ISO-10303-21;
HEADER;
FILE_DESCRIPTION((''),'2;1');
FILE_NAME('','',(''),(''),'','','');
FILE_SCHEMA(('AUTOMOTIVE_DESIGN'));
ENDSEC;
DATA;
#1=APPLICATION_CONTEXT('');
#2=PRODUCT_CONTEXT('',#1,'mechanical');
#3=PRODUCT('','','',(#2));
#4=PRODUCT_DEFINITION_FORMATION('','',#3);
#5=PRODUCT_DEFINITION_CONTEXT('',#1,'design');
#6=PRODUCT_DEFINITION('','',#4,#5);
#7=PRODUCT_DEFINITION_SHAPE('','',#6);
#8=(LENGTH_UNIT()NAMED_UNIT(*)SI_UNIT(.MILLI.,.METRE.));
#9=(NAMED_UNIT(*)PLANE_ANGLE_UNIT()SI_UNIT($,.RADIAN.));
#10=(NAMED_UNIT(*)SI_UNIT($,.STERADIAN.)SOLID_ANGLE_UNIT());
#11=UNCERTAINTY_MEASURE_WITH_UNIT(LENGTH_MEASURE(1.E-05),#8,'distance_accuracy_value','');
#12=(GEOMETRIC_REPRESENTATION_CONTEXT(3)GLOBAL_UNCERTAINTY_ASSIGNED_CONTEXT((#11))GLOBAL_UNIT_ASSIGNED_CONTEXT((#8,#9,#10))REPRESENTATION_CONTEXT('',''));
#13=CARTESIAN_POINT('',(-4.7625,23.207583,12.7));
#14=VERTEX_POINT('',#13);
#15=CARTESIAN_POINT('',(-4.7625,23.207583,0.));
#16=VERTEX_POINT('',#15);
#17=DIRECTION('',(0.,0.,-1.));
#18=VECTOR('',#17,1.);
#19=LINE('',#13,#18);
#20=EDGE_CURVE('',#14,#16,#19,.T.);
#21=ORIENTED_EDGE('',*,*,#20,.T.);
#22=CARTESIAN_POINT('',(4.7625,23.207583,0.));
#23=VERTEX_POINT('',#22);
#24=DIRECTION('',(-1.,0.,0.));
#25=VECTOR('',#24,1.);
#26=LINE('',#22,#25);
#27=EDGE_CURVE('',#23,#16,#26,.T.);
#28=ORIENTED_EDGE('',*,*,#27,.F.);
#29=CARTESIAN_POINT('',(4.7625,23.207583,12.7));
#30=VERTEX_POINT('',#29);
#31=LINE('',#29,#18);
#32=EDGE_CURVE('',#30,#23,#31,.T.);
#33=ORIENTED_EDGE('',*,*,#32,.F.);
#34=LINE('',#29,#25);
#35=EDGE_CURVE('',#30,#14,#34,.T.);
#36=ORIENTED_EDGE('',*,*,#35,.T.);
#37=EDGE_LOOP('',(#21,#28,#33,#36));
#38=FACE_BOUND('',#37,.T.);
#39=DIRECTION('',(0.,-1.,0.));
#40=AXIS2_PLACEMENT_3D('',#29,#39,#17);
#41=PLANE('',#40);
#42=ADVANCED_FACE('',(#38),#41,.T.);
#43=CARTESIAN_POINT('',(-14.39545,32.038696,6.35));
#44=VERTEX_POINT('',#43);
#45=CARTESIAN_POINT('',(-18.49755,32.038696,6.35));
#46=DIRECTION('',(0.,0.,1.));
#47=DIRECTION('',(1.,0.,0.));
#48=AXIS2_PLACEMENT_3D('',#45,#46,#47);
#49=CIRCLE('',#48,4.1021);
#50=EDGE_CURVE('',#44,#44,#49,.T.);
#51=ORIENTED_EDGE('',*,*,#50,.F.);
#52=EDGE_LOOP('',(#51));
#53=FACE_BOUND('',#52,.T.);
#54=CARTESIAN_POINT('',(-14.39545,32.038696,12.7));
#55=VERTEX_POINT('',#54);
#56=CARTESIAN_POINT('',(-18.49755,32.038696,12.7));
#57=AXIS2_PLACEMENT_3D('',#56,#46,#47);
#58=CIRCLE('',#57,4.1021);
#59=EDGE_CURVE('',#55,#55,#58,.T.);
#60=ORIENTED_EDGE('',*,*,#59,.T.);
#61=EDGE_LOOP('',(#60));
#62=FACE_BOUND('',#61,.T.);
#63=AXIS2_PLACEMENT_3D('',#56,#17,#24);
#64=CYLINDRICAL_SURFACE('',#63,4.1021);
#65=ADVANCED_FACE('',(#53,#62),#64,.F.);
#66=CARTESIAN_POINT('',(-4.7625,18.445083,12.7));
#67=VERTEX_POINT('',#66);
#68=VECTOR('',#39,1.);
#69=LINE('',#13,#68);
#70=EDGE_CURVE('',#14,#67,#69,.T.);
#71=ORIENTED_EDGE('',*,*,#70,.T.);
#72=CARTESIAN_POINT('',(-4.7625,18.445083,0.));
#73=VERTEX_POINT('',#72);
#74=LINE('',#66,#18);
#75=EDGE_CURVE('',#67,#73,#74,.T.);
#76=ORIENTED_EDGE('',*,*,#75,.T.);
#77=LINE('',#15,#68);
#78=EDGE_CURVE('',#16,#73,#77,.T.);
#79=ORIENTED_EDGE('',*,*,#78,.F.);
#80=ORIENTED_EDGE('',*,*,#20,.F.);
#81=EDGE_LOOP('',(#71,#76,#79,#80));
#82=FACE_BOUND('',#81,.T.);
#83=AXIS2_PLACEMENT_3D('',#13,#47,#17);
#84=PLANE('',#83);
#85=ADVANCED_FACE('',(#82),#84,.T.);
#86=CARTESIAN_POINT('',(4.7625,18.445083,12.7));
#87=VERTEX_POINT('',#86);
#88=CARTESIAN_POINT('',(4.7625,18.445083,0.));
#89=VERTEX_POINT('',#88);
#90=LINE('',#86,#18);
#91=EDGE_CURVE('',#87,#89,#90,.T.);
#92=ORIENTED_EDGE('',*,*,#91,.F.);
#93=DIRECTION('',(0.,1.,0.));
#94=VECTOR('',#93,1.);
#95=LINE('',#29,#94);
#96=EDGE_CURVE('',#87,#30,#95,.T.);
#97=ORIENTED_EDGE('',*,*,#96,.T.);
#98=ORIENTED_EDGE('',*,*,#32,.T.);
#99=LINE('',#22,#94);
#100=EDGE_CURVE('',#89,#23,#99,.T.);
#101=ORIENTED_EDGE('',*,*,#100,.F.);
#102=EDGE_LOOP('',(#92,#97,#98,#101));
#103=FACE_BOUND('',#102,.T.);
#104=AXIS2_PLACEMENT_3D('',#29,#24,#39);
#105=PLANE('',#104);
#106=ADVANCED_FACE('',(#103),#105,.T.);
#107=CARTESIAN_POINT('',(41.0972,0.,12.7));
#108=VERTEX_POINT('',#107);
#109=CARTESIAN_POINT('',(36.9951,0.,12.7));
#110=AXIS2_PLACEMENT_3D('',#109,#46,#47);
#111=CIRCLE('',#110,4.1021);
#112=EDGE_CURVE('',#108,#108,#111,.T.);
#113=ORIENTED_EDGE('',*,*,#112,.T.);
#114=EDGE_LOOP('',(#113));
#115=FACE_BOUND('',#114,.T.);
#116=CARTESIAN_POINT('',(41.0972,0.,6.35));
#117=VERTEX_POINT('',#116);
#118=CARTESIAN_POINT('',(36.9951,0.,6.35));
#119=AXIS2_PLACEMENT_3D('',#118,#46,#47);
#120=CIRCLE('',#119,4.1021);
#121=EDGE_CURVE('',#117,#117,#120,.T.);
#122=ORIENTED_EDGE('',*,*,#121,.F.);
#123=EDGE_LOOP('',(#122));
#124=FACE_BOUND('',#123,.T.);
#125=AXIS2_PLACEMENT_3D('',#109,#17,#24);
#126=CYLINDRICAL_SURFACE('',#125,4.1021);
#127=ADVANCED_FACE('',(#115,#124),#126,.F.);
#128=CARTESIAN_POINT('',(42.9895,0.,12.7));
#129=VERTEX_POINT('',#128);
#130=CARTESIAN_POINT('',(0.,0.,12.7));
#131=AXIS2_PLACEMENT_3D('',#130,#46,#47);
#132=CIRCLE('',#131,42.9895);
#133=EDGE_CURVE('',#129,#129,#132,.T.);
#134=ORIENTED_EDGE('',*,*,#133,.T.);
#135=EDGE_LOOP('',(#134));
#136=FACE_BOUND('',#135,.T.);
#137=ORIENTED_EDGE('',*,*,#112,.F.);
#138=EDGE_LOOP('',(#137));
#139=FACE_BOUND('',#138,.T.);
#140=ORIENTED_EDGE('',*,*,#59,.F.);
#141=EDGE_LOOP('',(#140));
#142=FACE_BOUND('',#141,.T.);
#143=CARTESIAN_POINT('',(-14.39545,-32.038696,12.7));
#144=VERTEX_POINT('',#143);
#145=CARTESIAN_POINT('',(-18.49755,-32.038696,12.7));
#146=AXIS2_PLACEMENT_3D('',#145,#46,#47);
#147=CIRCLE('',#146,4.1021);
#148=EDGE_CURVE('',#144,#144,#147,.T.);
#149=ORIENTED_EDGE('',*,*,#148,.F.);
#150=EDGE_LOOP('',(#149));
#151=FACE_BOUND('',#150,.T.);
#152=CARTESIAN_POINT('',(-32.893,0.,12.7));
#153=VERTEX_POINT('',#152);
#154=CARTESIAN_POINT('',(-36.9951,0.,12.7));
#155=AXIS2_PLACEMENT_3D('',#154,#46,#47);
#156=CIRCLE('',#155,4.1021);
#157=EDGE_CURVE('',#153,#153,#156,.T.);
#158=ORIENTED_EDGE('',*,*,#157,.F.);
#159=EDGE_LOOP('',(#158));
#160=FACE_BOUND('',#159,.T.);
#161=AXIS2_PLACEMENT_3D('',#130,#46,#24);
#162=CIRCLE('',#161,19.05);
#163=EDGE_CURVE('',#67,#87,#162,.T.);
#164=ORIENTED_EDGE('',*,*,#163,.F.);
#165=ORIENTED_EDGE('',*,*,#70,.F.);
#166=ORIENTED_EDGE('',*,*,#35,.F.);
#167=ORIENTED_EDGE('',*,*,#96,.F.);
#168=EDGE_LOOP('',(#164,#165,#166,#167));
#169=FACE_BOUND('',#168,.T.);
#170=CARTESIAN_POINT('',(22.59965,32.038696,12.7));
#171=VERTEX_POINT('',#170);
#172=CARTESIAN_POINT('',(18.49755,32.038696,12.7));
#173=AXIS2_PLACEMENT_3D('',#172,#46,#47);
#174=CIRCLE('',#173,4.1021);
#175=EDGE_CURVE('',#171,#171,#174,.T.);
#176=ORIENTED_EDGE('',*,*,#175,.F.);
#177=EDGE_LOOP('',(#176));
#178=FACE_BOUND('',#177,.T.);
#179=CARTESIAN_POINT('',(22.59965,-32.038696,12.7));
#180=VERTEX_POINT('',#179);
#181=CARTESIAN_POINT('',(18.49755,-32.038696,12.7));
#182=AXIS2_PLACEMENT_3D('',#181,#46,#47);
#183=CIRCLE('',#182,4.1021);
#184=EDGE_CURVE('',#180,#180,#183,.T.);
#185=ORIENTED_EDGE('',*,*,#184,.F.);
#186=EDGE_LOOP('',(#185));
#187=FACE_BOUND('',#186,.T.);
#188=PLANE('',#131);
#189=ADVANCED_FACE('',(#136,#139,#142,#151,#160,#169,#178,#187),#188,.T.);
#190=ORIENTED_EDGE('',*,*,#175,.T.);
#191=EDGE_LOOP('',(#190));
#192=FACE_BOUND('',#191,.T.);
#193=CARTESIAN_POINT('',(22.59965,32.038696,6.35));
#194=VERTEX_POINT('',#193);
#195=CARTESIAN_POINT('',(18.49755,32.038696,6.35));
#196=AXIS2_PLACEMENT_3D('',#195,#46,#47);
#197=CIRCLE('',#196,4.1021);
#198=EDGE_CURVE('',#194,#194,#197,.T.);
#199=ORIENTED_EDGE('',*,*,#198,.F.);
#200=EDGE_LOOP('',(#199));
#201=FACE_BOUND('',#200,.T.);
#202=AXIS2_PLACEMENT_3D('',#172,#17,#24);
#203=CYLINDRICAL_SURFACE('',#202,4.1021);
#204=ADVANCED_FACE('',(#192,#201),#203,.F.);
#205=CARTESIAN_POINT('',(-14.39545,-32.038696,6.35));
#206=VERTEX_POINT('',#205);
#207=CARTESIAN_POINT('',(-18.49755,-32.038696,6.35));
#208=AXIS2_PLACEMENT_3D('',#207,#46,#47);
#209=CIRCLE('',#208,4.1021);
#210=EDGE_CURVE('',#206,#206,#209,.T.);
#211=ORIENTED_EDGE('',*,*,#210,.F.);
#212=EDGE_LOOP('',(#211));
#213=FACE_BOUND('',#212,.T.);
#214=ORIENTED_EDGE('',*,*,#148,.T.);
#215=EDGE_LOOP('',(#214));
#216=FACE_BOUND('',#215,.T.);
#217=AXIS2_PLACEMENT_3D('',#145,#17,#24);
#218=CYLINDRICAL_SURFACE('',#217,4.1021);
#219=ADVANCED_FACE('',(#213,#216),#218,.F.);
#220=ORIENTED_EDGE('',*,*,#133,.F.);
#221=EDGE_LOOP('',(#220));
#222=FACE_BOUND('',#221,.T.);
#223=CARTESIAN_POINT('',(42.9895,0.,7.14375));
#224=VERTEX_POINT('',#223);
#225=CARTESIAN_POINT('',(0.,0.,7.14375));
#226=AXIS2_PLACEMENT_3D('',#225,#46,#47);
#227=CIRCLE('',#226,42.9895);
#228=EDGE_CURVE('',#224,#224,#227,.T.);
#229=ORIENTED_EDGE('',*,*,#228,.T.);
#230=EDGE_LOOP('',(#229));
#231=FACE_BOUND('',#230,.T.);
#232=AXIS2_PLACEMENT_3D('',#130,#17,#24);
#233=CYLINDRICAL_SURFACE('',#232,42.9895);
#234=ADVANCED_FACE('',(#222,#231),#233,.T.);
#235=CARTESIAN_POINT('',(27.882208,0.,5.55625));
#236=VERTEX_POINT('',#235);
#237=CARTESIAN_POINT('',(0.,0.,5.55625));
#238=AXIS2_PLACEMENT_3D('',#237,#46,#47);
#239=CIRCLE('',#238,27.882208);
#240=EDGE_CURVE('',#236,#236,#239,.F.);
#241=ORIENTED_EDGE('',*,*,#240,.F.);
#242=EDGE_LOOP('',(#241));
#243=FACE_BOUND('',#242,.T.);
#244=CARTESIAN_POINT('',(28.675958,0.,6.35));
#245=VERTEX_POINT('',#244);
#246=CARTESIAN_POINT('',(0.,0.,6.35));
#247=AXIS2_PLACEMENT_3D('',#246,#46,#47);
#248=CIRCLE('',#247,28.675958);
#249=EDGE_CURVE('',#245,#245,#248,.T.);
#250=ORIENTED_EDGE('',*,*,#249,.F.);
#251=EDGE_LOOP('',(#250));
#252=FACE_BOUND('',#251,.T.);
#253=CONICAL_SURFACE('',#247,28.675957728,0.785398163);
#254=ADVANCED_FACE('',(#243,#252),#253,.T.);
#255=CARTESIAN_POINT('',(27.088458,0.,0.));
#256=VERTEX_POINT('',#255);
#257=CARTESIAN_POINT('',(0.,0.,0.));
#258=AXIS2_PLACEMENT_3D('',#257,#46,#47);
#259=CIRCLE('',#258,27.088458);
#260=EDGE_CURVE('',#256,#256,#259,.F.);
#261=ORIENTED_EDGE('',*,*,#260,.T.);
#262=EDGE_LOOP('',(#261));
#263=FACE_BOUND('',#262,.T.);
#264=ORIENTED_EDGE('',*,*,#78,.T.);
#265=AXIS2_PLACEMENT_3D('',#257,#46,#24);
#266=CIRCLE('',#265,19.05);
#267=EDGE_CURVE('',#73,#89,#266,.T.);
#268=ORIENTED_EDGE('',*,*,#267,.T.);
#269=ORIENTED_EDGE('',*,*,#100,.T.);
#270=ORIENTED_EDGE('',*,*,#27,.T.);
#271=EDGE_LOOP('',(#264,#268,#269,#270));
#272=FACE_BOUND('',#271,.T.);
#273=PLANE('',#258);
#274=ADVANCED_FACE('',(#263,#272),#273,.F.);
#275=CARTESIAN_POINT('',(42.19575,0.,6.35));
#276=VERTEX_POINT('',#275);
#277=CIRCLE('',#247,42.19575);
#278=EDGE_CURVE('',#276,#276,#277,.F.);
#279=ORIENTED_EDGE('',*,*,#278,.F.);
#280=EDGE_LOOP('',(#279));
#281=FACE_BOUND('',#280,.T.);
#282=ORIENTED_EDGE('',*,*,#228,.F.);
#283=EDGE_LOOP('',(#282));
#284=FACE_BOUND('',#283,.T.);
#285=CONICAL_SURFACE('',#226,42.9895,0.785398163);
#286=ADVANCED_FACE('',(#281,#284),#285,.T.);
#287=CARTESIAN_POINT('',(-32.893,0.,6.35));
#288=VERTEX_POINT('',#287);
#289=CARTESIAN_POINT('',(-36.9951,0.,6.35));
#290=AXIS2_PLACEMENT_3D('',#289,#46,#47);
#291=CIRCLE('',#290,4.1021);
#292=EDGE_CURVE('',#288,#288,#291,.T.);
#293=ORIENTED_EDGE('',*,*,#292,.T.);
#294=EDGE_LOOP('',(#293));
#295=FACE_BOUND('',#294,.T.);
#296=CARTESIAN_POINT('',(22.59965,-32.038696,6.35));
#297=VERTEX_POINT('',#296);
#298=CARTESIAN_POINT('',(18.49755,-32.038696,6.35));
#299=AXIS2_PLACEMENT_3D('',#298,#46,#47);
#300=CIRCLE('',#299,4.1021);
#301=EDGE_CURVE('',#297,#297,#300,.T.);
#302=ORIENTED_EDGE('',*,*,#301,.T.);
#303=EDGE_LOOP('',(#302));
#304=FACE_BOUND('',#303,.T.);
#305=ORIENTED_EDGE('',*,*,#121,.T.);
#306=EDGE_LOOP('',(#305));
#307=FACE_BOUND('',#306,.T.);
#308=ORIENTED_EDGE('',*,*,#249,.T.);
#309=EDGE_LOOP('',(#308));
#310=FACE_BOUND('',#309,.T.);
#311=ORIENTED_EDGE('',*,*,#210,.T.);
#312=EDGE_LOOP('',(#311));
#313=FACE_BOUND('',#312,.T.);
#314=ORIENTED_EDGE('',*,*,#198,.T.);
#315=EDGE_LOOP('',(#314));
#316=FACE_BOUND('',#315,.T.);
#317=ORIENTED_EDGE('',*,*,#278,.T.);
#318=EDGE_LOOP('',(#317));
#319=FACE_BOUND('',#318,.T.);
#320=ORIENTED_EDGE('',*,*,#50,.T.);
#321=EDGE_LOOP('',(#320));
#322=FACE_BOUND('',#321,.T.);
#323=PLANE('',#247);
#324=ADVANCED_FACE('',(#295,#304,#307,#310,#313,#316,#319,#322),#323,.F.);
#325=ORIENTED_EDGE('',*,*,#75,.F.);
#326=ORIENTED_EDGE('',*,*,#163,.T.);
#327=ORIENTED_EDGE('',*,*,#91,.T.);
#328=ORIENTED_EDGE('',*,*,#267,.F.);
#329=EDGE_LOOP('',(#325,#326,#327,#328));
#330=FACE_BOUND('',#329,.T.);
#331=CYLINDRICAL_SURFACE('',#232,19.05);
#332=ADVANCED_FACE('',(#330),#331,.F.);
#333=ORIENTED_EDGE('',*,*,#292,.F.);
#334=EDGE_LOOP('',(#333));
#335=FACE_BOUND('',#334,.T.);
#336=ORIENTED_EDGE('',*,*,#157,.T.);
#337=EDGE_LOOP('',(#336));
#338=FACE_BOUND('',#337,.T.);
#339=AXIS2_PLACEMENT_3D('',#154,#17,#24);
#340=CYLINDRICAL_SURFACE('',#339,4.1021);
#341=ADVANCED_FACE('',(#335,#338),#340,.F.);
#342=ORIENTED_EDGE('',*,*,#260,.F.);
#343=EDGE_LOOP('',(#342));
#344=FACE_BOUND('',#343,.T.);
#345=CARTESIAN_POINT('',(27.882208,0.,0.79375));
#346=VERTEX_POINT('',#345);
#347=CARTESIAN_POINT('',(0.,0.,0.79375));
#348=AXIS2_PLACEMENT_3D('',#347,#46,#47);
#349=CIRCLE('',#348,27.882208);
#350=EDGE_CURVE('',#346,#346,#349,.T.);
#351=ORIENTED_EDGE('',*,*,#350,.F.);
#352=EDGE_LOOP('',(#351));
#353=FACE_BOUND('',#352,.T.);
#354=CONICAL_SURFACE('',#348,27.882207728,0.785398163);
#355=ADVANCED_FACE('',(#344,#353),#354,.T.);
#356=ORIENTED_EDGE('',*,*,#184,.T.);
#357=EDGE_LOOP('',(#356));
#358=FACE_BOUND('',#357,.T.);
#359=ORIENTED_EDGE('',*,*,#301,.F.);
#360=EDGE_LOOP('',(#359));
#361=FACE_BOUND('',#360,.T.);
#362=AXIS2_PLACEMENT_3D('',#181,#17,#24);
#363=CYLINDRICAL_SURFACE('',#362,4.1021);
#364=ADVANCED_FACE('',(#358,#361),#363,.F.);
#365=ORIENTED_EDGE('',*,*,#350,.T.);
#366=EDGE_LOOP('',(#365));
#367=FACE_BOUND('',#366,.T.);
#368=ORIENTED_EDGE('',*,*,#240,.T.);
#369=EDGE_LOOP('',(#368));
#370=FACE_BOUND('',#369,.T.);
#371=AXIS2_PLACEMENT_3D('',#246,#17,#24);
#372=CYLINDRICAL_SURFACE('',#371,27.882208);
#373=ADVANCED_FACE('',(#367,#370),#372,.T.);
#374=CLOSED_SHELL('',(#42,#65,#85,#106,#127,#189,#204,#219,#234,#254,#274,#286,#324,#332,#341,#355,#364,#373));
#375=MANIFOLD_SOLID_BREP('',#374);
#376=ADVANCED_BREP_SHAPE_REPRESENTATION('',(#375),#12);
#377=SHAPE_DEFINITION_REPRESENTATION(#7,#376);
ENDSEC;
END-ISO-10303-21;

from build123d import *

# Parameters (mm, degrees)
SKETCH1_R           = 42.9895
BOSS_EXTRUDE1_DEPTH = 12.7
SKETCH2_R           = 4.1021
CUT_EXTRUDE1_DEPTH  = 13.7
SKETCH3_OUTSIDE_W   = 112.43
SKETCH3_OUTSIDE_H   = 112.43
SKETCH3_OUTSIDE_R   = 27.882207728
CUT_EXTRUDE2_DEPTH  = 6.35
CHAMFER1_SIZE       = 0.79375
CHAMFER2_SIZE       = 0.79375


with BuildPart() as part:
    # Sketch1 → Boss-Extrude1 (new body)
    with BuildSketch(Plane.XY):
        Circle(SKETCH1_R)
        with BuildLine():
            Line((-4.7625, 23.207583186), (-4.7625, 18.445083186))
            ThreePointArc((-4.7625, 18.445083186), (0, -19.05), (4.7625, 18.445083186))
            Line((4.7625, 18.445083186), (4.7625, 23.207583186))
            Line((4.7625, 23.207583186), (-4.7625, 23.207583186))
        make_face(mode=Mode.SUBTRACT)
    extrude(amount=BOSS_EXTRUDE1_DEPTH)

    # Sketch2 → Cut-Extrude1 (cut, through all)
    with BuildSketch(Plane.XY):
        with Locations((36.9951, 0)):
            Circle(SKETCH2_R)
        with Locations((18.49755, -32.038696425)):
            Circle(SKETCH2_R)
        with Locations((-18.49755, -32.038696425)):
            Circle(SKETCH2_R)
        with Locations((-36.9951, 0)):
            Circle(SKETCH2_R)
        with Locations((-18.49755, 32.038696425)):
            Circle(SKETCH2_R)
        with Locations((18.49755, 32.038696425)):
            Circle(SKETCH2_R)
    extrude(amount=CUT_EXTRUDE1_DEPTH, mode=Mode.SUBTRACT)

    # Sketch3 outside → Cut-Extrude2 (cut)
    with BuildSketch(Plane.XY):
        Rectangle(SKETCH3_OUTSIDE_W, SKETCH3_OUTSIDE_H)
        Circle(SKETCH3_OUTSIDE_R, mode=Mode.SUBTRACT)
    extrude(amount=CUT_EXTRUDE2_DEPTH, mode=Mode.SUBTRACT)

    # Chamfer1
    chamfer1_edges = [part.edges().sort_by_distance(p)[0] for p in [
        (-42.9895, 0, 6.35),
        (-27.882207728, 0, 0),
    ]]
    chamfer(chamfer1_edges, length=CHAMFER1_SIZE)

    # Chamfer2
    chamfer2_edges = [part.edges().sort_by_distance(p)[0] for p in [
        (-27.882207728, 0, 6.35),
    ]]
    chamfer(chamfer2_edges, length=CHAMFER2_SIZE)


solid = part.part
